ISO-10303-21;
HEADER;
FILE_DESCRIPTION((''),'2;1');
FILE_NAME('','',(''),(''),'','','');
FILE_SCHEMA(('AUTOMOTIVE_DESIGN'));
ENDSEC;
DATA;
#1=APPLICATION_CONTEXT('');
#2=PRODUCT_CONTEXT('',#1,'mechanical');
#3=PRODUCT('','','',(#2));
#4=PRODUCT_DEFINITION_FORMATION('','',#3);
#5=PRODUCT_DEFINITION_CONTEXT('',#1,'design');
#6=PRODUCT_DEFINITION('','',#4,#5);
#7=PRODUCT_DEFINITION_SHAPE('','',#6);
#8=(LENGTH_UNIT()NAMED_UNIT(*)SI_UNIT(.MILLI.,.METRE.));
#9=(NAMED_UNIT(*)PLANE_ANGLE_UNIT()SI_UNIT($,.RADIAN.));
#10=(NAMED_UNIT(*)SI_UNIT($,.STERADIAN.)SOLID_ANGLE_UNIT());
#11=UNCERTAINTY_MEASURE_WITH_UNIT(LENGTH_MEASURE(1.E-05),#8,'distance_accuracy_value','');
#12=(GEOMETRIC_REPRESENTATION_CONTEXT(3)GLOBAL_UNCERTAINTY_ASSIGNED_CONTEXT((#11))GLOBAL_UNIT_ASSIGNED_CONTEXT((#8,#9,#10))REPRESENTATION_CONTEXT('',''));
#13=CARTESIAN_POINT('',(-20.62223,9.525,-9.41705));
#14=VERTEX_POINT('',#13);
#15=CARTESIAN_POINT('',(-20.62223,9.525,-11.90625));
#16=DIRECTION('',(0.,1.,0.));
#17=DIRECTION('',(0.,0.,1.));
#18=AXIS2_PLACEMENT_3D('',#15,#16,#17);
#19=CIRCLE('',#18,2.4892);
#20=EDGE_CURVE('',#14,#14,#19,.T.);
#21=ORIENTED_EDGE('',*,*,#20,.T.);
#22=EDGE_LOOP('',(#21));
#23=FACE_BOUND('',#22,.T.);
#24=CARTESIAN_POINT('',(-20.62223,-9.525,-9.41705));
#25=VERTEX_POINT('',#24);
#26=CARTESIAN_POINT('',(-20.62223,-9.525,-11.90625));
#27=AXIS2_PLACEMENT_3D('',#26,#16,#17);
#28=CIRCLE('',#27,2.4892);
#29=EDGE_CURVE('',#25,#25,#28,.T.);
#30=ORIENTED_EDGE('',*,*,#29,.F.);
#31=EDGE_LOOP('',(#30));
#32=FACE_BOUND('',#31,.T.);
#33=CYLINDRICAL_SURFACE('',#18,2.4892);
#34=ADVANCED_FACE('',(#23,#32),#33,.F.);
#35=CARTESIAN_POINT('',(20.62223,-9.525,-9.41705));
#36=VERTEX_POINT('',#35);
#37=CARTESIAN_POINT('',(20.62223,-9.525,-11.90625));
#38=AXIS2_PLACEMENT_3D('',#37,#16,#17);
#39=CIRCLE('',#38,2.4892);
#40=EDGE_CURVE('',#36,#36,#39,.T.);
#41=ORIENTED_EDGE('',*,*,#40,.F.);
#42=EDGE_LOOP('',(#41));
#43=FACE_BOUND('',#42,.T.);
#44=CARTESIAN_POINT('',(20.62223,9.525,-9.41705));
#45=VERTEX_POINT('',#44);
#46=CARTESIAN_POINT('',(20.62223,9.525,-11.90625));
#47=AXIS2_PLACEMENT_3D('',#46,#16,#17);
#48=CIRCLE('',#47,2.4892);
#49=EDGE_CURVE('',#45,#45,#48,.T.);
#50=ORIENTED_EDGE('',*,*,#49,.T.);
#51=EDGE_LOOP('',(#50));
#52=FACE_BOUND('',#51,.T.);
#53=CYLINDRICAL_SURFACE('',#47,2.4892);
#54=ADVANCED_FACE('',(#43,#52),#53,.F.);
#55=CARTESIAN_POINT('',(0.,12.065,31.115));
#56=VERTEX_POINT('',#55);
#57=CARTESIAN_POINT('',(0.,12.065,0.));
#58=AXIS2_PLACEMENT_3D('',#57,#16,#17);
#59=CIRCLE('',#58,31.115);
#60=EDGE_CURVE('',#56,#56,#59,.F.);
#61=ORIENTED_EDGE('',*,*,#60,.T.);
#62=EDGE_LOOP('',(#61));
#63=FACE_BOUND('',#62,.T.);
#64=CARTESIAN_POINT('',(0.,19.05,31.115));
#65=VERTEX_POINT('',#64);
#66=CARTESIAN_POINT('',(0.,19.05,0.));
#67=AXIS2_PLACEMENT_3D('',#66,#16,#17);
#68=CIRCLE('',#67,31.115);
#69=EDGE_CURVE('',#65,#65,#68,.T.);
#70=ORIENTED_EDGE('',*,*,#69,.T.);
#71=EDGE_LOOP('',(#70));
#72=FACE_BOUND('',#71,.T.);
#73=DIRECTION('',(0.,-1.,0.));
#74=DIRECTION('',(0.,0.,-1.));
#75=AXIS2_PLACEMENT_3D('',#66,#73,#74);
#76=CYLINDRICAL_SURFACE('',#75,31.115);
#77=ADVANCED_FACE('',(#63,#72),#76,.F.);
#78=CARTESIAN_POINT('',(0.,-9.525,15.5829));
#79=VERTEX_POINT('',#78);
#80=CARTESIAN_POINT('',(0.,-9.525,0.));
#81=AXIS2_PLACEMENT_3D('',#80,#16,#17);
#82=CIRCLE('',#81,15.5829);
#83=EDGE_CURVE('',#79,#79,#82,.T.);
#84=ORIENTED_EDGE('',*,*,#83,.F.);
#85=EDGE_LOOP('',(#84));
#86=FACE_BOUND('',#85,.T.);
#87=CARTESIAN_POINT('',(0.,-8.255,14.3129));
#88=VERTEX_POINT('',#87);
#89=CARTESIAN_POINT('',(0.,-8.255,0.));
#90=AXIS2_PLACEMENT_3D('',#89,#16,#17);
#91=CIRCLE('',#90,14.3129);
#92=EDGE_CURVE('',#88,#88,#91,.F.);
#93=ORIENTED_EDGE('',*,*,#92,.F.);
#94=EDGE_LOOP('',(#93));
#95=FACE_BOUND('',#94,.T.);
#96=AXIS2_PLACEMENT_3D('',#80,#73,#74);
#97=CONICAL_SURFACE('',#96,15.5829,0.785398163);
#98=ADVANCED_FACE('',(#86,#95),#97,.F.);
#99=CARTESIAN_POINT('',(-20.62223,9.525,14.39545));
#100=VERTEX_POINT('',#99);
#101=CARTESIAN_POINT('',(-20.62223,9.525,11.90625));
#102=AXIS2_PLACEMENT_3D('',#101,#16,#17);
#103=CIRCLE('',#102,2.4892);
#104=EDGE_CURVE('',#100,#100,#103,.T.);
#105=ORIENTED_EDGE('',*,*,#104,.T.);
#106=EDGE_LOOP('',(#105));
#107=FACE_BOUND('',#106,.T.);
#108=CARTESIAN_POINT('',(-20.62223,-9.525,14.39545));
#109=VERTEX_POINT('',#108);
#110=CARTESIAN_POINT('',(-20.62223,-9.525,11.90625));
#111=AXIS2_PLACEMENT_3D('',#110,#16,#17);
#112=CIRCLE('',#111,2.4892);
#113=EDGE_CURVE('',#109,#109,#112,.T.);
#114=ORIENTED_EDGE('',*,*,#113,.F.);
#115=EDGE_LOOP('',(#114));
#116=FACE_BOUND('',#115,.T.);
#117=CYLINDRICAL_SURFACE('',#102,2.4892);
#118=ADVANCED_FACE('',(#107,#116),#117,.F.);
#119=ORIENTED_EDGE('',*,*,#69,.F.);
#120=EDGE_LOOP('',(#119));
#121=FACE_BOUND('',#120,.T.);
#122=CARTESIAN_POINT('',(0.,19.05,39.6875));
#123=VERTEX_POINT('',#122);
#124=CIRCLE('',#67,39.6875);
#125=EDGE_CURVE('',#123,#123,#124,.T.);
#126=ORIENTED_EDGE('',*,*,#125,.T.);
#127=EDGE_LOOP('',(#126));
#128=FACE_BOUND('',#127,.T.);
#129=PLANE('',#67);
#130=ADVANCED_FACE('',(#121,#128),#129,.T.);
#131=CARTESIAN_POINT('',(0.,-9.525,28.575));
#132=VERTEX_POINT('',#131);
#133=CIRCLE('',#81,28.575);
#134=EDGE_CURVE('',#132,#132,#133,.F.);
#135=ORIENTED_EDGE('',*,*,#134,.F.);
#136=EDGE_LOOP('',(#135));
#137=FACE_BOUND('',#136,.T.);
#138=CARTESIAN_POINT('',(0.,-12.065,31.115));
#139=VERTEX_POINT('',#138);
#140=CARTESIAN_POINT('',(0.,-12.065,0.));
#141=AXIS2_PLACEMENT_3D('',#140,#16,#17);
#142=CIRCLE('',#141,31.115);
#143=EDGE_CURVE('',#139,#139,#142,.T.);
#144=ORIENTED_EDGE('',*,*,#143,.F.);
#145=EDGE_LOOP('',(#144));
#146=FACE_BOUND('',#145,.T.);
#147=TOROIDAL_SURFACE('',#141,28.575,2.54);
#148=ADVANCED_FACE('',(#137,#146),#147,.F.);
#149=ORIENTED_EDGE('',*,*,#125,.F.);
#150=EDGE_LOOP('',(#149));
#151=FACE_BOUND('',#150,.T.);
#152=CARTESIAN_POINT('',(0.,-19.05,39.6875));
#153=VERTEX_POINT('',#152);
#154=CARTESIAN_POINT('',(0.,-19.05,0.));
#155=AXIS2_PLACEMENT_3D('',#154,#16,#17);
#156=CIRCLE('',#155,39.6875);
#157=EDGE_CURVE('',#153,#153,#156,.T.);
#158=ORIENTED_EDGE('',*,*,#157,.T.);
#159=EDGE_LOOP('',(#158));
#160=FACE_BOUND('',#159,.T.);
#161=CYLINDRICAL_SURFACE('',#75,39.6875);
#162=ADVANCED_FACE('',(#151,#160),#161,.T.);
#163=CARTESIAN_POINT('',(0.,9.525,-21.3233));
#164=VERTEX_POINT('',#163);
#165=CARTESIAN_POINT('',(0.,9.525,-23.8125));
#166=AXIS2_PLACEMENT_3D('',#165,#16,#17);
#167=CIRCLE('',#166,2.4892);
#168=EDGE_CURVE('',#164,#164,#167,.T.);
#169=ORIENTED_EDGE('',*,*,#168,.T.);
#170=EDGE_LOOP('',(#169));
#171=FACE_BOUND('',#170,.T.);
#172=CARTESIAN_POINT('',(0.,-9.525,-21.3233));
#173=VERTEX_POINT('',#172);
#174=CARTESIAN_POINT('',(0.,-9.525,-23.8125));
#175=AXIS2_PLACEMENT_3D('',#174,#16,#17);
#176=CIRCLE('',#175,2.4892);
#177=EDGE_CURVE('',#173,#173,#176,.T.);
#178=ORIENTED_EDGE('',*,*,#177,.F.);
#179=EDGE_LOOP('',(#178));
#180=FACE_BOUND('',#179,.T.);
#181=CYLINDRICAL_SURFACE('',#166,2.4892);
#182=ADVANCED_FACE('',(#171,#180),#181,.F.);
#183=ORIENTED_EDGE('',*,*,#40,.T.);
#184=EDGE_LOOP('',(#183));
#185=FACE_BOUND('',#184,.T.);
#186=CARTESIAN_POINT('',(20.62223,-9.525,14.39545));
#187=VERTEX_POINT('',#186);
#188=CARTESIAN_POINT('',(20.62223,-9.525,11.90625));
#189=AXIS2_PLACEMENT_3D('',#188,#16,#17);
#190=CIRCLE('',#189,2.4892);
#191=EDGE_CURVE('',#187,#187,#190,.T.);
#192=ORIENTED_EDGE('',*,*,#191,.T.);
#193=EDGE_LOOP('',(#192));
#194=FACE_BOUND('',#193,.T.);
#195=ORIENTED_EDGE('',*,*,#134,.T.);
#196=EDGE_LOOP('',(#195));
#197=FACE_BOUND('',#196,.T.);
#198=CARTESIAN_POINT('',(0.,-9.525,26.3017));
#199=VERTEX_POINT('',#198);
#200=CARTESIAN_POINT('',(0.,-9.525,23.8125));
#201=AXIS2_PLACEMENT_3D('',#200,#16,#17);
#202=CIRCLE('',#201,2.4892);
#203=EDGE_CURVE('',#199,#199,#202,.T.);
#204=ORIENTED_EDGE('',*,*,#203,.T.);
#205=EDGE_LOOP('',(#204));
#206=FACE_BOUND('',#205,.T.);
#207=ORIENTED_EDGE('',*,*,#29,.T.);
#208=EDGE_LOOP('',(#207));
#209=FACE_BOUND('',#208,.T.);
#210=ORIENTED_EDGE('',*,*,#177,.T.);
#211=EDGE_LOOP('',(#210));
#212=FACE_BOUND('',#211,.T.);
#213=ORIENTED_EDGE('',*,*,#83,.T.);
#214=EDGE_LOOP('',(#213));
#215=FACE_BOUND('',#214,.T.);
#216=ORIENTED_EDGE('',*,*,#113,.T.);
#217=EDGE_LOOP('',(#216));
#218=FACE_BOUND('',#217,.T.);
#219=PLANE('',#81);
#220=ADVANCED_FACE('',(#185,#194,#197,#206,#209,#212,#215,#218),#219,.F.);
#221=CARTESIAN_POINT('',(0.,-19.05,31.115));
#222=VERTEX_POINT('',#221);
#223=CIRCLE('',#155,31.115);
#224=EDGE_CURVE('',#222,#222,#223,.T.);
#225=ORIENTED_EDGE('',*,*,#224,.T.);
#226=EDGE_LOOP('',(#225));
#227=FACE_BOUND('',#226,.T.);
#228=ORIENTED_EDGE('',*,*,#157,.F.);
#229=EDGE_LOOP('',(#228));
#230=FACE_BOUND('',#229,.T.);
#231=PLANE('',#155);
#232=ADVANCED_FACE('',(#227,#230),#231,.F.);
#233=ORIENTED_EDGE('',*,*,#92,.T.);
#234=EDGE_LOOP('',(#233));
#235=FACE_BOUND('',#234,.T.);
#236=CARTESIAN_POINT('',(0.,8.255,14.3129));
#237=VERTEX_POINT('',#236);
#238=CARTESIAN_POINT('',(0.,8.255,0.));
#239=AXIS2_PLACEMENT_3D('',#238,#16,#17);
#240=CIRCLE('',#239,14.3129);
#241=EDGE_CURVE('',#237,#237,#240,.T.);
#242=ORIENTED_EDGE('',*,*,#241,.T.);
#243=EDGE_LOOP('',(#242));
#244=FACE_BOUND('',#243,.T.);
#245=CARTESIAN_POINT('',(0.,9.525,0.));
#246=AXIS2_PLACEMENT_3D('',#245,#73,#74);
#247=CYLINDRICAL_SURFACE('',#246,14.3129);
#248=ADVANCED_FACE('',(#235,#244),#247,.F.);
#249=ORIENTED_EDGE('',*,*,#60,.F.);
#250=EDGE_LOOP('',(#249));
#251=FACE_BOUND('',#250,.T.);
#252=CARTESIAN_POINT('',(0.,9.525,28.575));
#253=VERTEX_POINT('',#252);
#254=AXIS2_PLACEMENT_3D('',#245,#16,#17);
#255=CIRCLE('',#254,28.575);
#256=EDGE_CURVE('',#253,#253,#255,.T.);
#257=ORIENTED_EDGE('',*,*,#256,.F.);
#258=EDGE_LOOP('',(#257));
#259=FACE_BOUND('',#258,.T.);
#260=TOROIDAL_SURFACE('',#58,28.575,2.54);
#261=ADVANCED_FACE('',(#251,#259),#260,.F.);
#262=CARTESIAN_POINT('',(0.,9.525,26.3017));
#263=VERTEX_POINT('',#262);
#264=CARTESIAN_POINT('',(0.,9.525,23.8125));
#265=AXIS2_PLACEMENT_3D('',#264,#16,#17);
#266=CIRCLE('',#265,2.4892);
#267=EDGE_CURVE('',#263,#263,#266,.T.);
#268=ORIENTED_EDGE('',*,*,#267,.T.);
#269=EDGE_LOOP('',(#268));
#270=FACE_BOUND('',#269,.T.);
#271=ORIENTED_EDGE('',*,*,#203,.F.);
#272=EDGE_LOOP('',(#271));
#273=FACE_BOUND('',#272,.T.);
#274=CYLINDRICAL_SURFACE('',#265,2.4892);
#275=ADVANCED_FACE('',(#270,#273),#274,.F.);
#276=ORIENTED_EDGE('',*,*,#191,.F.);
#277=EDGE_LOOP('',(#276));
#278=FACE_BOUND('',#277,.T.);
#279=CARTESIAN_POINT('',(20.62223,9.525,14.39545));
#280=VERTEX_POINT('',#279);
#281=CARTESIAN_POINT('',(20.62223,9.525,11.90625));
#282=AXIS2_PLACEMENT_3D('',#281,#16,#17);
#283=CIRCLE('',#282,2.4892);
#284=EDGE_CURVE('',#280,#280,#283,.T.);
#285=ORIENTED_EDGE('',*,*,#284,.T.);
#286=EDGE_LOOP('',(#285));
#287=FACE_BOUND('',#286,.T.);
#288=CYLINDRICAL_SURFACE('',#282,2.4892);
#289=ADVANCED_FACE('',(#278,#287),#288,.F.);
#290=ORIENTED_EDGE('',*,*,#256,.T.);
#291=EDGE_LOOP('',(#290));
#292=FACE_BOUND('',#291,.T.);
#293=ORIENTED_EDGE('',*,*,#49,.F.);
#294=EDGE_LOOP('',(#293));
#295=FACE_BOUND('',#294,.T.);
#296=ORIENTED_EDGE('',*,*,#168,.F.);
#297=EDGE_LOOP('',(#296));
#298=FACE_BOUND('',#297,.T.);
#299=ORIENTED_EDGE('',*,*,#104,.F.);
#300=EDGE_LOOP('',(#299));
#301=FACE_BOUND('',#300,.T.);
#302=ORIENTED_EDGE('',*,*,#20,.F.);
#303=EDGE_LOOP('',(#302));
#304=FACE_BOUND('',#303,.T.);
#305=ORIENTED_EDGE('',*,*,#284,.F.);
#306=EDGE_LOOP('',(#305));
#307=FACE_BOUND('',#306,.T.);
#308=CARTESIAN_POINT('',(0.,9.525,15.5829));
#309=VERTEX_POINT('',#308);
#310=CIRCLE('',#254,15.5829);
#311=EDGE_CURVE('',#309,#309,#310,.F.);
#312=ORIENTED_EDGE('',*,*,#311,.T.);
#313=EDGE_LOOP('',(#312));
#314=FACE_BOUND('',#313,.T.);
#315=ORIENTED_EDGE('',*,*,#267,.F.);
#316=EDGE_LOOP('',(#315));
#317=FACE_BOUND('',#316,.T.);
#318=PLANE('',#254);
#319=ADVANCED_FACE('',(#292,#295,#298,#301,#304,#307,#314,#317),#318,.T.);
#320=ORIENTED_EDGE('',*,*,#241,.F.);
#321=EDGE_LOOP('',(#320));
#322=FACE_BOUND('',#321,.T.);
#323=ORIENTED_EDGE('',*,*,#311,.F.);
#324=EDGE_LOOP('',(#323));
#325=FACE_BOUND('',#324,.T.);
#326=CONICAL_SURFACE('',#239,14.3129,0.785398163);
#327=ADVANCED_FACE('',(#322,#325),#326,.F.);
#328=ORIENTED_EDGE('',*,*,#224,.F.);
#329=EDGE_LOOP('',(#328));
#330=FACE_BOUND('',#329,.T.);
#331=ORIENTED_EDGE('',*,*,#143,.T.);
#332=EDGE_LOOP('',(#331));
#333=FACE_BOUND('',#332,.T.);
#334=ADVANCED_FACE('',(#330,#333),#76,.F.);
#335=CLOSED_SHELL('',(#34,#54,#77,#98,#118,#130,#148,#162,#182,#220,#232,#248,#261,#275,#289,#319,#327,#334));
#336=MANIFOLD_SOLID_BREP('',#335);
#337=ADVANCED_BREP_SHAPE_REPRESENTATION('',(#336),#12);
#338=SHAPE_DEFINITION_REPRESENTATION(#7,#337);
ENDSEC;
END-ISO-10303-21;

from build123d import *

# Parameters (mm, degrees)
SKETCH1_R              = 38.1
SKETCH1_R_2            = 14.3129
BOSS_EXTRUDE1_DEPTH    = 9.525
SKETCH2_R              = 39.6875
SKETCH2_R_2            = 31.115
BOSS_EXTRUDE2_DEPTH    = 19.05
F_10_CLEARANCE_HOLE1_D = 4.9784
CIRPATTERN1_COUNT      = 6
CHAMFER1_SIZE          = 1.27
FILLET2_R              = 2.54


with BuildPart() as part:
    # Sketch1 → Boss-Extrude1 (new body, symmetric)
    with BuildSketch(Plane(origin=(0, 0, 0), x_dir=(1, 0, 0), z_dir=(0, 1, 0))):
        Circle(SKETCH1_R)
        Circle(SKETCH1_R_2, mode=Mode.SUBTRACT)
    extrude(amount=BOSS_EXTRUDE1_DEPTH, both=True)

    # Sketch2 → Boss-Extrude2 (add, symmetric)
    with BuildSketch(Plane(origin=(0, 0, 0), x_dir=(1, 0, 0), z_dir=(0, 1, 0))):
        Circle(SKETCH2_R)
        Circle(SKETCH2_R_2, mode=Mode.SUBTRACT)
    extrude(amount=BOSS_EXTRUDE2_DEPTH, both=True)

    # #10 Clearance Hole1 (through all)
    with Locations(Plane(origin=(0, 9.525, 0), x_dir=(1, 0, 0), z_dir=(0, 1, 0))):
        with Locations((0, 23.8125)):
            f_10_clearance_hole1 = Hole(F_10_CLEARANCE_HOLE1_D / 2)

    # CirPattern1: #10 Clearance Hole1 ×6 about axis
    cirpattern1_axis = Axis((0, 0, 0), (0, 1, 0))
    for i in range(1, CIRPATTERN1_COUNT):
        add(f_10_clearance_hole1.rotate(cirpattern1_axis, i * 360 / CIRPATTERN1_COUNT), mode=Mode.SUBTRACT)

    # Chamfer1
    chamfer1_edges = [part.edges().sort_by_distance(p)[0] for p in [
        (-14.3129, -9.525, 0),
        (-14.3129, 9.525, 0),
    ]]
    chamfer(chamfer1_edges, length=CHAMFER1_SIZE)

    # Fillet2
    fillet2_edges = [part.edges().sort_by_distance(p)[0] for p in [
        (-31.115, 9.525, 0),
        (-31.115, -9.525, 0),
    ]]
    fillet(fillet2_edges, radius=FILLET2_R)


solid = part.part
